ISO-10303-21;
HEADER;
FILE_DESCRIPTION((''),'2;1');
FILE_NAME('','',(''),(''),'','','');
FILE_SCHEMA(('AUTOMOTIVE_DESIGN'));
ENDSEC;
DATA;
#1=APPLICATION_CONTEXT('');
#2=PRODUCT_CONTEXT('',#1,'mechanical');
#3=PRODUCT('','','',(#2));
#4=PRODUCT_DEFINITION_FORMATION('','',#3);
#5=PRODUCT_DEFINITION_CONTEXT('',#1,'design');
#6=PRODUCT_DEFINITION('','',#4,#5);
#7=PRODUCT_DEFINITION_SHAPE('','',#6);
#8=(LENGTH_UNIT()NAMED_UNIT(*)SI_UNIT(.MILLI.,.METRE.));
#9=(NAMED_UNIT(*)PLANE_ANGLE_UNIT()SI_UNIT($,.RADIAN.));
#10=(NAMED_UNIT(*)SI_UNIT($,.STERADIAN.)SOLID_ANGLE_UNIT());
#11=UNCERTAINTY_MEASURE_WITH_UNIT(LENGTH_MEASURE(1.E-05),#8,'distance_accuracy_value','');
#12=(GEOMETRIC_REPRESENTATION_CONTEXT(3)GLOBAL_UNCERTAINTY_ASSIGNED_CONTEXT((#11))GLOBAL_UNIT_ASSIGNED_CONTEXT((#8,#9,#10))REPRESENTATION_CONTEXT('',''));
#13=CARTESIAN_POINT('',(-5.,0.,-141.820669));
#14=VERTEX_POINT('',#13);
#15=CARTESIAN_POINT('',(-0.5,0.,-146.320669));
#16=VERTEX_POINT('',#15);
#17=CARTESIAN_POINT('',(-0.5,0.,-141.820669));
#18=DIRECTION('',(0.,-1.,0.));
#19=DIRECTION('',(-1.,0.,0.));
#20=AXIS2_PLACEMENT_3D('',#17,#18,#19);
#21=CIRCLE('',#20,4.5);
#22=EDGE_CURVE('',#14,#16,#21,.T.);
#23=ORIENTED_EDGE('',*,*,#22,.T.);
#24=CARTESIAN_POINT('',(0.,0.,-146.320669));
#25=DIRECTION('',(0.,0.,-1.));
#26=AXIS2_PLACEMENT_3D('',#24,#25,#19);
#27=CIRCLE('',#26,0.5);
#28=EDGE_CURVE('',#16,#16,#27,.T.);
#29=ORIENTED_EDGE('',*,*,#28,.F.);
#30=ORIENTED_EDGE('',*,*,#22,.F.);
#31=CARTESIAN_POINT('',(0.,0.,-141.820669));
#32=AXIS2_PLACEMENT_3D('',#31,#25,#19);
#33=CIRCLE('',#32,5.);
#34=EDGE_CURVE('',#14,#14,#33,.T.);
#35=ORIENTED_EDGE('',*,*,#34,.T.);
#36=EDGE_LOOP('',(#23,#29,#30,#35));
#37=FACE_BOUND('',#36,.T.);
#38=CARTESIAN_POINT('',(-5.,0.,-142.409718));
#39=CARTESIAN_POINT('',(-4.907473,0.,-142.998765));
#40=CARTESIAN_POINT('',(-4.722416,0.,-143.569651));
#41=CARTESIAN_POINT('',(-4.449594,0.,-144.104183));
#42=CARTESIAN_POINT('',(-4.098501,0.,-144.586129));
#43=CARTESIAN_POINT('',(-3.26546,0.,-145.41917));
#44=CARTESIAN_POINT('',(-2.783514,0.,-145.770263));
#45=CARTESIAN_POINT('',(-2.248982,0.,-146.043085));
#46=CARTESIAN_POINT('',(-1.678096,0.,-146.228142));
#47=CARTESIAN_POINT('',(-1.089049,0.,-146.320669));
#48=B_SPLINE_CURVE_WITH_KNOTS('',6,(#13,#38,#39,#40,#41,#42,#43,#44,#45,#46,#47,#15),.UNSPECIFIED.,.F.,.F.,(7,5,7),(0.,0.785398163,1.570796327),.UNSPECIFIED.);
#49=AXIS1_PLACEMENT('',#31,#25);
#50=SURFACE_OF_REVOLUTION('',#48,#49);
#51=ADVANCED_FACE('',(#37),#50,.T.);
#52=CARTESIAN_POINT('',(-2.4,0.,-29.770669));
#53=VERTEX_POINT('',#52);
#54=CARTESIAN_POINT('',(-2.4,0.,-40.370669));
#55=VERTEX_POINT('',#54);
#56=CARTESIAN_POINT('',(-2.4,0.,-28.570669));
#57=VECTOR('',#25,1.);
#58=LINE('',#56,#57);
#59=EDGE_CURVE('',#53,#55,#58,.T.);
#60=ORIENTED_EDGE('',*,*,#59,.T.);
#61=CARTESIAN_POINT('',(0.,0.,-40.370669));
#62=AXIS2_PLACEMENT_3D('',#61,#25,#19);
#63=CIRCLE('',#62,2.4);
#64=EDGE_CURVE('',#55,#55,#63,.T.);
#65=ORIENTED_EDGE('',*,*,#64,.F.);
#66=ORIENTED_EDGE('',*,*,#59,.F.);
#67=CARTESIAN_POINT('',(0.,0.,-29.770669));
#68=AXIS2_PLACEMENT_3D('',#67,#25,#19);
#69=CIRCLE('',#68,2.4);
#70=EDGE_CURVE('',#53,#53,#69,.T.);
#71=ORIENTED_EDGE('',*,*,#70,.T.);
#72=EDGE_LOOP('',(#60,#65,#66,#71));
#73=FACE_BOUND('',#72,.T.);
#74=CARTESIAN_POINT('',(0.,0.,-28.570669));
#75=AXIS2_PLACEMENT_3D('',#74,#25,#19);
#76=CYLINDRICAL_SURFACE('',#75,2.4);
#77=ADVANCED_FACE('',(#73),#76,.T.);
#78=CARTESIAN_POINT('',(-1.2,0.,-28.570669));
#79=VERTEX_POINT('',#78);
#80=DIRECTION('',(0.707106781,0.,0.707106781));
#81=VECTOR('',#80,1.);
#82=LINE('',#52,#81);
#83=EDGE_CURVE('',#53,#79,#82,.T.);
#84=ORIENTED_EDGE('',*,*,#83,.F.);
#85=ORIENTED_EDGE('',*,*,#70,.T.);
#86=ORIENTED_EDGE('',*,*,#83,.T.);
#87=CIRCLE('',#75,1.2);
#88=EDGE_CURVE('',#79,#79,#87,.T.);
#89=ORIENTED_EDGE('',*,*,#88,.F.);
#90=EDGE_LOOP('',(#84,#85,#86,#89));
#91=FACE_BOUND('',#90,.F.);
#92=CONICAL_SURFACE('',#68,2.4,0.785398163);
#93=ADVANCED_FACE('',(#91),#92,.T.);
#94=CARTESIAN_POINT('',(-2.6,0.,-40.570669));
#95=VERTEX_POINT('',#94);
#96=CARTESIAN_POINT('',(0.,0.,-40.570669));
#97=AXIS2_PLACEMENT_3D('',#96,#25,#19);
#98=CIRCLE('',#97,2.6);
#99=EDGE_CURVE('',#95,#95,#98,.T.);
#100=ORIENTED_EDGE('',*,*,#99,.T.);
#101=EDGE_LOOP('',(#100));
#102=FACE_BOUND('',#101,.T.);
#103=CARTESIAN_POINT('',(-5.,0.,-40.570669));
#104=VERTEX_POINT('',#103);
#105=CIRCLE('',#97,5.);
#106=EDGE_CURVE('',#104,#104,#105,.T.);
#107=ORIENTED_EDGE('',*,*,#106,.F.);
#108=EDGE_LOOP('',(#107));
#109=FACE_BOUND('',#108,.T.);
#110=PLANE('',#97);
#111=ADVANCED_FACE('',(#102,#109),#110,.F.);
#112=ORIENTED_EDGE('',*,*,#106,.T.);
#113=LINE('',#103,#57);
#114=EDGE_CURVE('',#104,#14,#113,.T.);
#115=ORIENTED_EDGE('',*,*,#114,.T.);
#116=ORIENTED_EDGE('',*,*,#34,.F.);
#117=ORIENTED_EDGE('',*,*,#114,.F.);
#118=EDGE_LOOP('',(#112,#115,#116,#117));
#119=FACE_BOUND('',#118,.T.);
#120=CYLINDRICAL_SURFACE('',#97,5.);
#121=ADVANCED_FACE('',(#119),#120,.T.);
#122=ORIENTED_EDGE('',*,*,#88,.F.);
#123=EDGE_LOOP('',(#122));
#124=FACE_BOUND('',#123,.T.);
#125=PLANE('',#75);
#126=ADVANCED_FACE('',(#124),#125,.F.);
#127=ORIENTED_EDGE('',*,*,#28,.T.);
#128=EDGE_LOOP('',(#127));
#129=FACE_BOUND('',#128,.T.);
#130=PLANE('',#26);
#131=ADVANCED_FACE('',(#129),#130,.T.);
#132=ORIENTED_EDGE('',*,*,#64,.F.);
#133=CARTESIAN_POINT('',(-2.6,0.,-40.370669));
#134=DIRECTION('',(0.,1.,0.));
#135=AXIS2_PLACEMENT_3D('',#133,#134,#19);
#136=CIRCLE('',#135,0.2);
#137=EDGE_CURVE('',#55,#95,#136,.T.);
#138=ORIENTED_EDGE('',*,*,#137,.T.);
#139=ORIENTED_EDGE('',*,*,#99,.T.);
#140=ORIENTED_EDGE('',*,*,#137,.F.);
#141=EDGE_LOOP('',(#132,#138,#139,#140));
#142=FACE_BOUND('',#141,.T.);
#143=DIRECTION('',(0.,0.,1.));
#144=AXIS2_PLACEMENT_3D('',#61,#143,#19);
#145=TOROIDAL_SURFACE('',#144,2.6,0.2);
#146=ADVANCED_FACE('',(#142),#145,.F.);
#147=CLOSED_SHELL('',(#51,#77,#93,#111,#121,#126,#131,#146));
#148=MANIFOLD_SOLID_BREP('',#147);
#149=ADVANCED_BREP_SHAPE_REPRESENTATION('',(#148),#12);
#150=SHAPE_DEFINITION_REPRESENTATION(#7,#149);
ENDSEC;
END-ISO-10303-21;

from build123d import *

# Parameters (mm, degrees)
F2_R    = 4.5
F3_SIZE = 1.2
F4_R    = 0.2


with BuildPart() as f1:
    # F0 (on Front) → F1 (revolve)
    with BuildSketch(Plane.XZ):
        Polygon((-2.4, -40.570669), (-5, -40.570669), (-5, -146.320669), (0, -146.320669), (0, -28.570669), (-2.4, -28.570669), align=None)
    revolve(axis=Axis((0, 0, -136.627736), (0, 0, -1)))

    # F2
    f2_edges = [f1.edges().sort_by_distance(p)[0] for p in [
        (5, 0, -146.320669),
    ]]
    fillet(f2_edges, radius=F2_R)

    # F3
    f3_edges = [f1.edges().sort_by_distance(p)[0] for p in [
        (2.4, 0, -28.570669),
    ]]
    chamfer(f3_edges, length=F3_SIZE)

    # F4
    f4_edges = [f1.edges().sort_by_distance(p)[0] for p in [
        (2.4, 0, -40.570669),
    ]]
    fillet(f4_edges, radius=F4_R)


solid = f1.part
